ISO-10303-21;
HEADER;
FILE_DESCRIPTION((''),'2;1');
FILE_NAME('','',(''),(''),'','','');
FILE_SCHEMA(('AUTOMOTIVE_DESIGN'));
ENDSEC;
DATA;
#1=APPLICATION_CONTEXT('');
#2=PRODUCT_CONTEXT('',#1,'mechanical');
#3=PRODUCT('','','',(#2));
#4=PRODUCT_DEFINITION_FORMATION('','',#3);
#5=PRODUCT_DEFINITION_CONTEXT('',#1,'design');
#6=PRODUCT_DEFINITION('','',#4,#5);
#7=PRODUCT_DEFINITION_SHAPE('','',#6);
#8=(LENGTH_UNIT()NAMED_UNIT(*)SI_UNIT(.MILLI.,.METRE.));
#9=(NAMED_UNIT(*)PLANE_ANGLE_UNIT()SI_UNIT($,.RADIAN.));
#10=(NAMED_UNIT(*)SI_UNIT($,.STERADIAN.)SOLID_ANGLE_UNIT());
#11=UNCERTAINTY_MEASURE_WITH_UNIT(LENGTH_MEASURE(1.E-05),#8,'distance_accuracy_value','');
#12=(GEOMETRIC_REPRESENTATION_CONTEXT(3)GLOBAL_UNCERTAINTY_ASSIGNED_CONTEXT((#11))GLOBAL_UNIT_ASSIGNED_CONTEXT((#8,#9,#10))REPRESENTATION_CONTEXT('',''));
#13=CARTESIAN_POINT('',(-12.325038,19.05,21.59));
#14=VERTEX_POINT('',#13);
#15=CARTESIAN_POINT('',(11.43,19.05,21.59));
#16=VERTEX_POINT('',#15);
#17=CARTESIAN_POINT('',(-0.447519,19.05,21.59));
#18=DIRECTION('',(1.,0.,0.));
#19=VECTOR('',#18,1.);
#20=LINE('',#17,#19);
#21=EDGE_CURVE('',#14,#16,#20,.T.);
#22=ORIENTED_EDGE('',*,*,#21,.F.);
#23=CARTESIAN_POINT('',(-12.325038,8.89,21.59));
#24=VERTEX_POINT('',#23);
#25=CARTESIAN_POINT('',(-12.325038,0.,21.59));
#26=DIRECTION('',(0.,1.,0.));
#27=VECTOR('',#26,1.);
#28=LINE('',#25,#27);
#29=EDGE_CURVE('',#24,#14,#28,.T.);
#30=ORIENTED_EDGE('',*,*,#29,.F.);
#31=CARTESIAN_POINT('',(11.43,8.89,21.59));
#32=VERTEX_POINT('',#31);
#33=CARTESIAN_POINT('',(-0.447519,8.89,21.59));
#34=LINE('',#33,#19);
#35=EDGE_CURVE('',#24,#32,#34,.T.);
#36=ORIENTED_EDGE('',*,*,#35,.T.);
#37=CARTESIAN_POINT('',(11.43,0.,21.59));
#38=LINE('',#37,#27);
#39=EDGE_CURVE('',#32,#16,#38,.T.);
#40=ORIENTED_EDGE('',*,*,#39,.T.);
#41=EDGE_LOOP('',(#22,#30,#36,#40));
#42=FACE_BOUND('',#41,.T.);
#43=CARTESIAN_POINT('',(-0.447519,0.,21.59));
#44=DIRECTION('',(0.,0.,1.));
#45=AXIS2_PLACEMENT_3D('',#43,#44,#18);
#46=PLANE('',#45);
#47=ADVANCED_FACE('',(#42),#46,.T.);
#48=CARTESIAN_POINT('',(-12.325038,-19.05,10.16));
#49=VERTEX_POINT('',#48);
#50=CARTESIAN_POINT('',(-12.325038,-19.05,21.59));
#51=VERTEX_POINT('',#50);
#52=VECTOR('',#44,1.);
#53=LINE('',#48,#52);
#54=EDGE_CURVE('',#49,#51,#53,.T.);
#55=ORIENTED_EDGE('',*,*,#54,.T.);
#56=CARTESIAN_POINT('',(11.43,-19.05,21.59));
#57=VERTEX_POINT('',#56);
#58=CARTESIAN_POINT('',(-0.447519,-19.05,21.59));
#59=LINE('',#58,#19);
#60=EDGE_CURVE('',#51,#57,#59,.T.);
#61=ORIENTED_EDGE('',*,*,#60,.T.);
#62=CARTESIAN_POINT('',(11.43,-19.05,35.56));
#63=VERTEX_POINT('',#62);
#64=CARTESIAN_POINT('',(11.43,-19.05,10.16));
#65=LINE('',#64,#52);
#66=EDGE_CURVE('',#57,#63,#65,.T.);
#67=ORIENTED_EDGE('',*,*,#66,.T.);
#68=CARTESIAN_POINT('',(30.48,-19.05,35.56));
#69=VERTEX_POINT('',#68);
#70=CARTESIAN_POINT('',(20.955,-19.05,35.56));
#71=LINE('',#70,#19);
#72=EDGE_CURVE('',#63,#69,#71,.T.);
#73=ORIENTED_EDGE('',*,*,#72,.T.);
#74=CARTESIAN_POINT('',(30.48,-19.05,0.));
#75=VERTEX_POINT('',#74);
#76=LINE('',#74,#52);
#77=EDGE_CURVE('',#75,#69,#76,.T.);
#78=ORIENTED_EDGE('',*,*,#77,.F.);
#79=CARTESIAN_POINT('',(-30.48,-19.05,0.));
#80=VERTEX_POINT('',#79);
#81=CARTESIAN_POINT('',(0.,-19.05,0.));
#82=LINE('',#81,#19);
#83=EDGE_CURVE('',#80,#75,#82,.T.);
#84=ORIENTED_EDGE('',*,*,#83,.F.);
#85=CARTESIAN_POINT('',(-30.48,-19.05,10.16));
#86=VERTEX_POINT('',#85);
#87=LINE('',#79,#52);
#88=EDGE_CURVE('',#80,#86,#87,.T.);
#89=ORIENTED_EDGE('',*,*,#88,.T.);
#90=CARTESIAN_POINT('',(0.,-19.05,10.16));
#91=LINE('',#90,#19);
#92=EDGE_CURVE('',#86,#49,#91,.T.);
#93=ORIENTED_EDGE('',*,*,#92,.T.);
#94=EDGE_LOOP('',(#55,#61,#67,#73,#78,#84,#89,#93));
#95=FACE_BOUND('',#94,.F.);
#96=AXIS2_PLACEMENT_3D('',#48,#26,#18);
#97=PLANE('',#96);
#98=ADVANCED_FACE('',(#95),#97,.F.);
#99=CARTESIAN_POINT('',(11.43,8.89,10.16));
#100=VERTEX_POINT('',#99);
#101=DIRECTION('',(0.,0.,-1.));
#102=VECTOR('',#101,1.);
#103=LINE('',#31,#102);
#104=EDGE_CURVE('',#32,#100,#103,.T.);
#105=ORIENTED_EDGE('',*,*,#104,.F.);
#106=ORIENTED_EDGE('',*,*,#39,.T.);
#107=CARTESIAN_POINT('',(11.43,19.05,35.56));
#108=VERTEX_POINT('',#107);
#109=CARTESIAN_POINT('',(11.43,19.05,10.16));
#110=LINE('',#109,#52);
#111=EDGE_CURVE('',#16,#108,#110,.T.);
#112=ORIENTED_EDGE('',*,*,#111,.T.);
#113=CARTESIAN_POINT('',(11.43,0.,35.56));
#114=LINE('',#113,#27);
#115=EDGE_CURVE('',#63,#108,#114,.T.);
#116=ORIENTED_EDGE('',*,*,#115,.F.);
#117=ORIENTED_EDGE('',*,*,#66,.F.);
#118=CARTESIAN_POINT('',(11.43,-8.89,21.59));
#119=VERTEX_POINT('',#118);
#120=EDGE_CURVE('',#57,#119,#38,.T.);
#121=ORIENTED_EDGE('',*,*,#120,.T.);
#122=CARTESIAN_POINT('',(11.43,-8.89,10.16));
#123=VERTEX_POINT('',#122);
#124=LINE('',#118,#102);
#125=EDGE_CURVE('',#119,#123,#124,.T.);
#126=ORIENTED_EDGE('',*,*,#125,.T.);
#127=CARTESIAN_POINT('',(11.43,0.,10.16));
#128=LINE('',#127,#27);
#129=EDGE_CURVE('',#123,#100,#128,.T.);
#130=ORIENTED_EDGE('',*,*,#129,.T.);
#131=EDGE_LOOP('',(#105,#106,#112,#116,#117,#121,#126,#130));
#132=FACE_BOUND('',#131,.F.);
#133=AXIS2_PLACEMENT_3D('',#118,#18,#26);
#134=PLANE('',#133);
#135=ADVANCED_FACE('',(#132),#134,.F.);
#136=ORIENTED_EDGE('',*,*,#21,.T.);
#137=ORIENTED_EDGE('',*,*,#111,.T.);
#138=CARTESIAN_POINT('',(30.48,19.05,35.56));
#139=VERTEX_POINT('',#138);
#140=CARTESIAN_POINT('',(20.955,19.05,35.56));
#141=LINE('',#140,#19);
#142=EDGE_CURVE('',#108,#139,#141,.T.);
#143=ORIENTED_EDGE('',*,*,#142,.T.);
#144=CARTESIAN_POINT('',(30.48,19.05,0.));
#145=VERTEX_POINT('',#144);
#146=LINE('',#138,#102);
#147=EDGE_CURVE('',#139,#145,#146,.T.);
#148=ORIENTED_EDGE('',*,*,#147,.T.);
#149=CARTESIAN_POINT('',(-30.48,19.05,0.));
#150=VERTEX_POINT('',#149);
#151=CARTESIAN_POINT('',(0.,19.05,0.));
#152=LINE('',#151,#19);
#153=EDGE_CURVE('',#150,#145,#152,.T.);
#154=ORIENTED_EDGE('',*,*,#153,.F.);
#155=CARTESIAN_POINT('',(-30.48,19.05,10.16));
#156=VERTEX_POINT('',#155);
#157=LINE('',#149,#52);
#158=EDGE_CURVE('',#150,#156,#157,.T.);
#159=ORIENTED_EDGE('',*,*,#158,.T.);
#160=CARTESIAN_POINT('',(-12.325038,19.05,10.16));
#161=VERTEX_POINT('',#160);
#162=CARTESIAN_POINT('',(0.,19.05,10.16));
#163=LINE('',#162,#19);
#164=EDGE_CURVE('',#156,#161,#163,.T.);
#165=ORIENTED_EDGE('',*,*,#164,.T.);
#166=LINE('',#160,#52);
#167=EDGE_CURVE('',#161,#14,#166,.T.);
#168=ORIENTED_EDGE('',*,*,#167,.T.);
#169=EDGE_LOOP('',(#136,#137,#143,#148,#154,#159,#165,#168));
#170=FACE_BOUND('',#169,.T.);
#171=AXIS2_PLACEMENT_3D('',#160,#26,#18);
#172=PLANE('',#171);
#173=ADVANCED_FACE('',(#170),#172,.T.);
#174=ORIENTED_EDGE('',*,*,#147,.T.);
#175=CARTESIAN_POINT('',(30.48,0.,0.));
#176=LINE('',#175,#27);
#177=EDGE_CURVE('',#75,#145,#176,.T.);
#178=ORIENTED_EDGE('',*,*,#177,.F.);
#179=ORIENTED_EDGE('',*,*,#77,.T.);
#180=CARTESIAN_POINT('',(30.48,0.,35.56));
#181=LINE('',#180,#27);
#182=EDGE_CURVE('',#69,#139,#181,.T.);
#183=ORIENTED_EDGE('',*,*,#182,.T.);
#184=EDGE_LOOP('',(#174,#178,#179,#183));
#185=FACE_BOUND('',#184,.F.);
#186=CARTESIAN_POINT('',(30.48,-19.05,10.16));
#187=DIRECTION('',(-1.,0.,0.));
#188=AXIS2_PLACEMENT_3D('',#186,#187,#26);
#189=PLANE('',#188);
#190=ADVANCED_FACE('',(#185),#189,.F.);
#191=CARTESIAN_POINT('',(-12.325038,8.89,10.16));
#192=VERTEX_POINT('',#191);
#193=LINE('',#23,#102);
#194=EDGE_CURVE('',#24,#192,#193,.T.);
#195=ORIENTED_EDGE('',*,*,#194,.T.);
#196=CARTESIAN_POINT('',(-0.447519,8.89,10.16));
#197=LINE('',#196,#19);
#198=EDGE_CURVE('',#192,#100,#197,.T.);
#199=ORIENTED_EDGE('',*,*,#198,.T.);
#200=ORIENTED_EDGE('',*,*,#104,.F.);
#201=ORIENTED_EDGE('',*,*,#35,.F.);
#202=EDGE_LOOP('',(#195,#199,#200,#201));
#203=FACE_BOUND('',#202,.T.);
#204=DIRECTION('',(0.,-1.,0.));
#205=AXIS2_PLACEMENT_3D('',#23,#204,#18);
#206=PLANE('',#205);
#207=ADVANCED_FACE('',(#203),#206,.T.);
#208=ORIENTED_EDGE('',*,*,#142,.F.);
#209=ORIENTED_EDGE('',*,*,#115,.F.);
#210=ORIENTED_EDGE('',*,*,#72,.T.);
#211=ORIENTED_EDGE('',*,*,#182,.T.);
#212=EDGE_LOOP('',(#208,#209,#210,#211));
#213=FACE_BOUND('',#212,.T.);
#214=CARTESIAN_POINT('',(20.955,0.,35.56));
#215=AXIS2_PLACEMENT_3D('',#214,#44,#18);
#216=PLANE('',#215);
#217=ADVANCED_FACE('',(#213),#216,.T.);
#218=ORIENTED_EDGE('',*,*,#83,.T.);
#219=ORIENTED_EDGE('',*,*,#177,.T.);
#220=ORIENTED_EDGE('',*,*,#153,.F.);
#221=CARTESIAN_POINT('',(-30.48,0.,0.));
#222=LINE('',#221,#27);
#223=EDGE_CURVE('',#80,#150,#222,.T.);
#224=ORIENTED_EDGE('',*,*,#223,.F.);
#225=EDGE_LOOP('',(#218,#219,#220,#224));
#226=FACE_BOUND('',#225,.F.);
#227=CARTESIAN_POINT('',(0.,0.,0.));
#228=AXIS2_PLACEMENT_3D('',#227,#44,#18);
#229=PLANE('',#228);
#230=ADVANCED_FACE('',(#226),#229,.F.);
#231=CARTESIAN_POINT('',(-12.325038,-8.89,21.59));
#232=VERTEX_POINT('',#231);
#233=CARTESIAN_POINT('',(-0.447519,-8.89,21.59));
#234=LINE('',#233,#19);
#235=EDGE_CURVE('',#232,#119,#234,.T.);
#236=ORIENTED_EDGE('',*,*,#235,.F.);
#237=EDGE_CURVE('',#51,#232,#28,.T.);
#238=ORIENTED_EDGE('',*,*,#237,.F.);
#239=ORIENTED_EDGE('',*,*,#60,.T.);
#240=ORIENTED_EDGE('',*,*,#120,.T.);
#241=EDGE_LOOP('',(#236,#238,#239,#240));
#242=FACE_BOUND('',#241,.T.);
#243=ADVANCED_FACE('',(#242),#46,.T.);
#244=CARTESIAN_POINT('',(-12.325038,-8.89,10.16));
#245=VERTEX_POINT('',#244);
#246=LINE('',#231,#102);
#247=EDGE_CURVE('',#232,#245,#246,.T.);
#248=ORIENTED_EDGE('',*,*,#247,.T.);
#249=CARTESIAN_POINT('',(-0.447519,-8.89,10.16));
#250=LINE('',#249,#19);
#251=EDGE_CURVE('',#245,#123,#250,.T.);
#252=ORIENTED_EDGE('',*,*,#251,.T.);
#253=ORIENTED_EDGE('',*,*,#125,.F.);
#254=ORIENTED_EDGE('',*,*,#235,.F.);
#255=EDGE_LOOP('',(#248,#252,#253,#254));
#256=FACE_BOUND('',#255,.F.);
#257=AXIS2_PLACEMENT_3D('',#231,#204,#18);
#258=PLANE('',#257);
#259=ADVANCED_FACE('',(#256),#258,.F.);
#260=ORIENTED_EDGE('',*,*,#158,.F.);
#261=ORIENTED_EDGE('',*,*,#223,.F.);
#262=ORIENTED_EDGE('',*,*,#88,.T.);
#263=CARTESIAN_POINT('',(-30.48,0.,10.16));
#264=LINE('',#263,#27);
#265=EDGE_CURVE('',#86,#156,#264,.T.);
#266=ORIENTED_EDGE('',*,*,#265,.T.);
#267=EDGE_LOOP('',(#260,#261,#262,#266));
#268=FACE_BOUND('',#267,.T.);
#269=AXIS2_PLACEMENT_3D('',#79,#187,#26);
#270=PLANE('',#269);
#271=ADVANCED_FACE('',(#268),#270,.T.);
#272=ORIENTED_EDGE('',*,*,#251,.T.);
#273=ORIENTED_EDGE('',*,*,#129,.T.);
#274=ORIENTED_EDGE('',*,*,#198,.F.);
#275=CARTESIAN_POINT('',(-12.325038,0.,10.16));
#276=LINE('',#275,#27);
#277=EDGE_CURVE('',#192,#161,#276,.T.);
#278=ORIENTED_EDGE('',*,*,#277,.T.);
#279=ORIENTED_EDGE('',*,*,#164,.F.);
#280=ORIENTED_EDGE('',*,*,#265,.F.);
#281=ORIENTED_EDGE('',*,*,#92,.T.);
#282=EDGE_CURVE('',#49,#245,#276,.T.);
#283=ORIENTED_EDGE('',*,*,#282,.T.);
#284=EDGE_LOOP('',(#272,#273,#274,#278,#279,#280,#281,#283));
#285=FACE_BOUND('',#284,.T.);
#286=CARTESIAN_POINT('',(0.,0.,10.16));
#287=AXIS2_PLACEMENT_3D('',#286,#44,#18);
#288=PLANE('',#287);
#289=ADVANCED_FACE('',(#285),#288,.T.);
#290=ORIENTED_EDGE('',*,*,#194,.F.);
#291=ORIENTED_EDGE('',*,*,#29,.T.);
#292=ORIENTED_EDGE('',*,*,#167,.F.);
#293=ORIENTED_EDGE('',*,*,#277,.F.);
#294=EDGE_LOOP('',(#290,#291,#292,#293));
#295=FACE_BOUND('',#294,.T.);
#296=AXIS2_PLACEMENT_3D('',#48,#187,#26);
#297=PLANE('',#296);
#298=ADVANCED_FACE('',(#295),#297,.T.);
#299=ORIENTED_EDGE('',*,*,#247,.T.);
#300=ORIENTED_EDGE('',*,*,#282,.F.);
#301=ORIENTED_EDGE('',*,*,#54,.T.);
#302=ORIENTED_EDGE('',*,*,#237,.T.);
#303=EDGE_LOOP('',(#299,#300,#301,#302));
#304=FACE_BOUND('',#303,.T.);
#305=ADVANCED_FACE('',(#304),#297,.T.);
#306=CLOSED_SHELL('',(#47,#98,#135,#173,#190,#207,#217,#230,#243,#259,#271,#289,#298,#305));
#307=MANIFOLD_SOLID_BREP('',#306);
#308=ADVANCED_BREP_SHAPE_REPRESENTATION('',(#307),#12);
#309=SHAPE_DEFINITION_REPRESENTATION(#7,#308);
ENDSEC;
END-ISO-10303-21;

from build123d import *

# Parameters (mm, degrees)
F0_W     = 60.96
F0_H     = 38.1
F1_DEPTH = 10.16
F2_W     = 19.05
F2_H     = 38.1
F3_DEPTH = 25.4
F4_W     = 23.755038
F4_H     = 38.1
F5_DEPTH = 11.43
F6_W     = 23.755038
F6_H     = 17.78
F7_DEPTH = 11.43


with BuildPart() as f1:
    # F0 (on Top) → F1 (new body)
    with BuildSketch(Plane.XY):
        Rectangle(F0_W, F0_H)
    extrude(amount=F1_DEPTH)

    # F2 (on face) → F3 (join)
    with BuildSketch(Plane.XY.offset(10.16)):
        with Locations((20.955, 0)):
            Rectangle(F2_W, F2_H)
    extrude(amount=F3_DEPTH)

    # F4 (on face) → F5 (join)
    with BuildSketch(Plane.XY.offset(10.16)):
        with Locations((-0.447519, 0)):
            Rectangle(F4_W, F4_H)
    extrude(amount=F5_DEPTH)

    # F6 (on face) → F7 (cut, through all)
    with BuildSketch(Plane.XY.offset(21.59)):
        with Locations((-0.447519, 0)):
            Rectangle(F6_W, F6_H)
    extrude(amount=-F7_DEPTH, mode=Mode.SUBTRACT)


solid = f1.part
